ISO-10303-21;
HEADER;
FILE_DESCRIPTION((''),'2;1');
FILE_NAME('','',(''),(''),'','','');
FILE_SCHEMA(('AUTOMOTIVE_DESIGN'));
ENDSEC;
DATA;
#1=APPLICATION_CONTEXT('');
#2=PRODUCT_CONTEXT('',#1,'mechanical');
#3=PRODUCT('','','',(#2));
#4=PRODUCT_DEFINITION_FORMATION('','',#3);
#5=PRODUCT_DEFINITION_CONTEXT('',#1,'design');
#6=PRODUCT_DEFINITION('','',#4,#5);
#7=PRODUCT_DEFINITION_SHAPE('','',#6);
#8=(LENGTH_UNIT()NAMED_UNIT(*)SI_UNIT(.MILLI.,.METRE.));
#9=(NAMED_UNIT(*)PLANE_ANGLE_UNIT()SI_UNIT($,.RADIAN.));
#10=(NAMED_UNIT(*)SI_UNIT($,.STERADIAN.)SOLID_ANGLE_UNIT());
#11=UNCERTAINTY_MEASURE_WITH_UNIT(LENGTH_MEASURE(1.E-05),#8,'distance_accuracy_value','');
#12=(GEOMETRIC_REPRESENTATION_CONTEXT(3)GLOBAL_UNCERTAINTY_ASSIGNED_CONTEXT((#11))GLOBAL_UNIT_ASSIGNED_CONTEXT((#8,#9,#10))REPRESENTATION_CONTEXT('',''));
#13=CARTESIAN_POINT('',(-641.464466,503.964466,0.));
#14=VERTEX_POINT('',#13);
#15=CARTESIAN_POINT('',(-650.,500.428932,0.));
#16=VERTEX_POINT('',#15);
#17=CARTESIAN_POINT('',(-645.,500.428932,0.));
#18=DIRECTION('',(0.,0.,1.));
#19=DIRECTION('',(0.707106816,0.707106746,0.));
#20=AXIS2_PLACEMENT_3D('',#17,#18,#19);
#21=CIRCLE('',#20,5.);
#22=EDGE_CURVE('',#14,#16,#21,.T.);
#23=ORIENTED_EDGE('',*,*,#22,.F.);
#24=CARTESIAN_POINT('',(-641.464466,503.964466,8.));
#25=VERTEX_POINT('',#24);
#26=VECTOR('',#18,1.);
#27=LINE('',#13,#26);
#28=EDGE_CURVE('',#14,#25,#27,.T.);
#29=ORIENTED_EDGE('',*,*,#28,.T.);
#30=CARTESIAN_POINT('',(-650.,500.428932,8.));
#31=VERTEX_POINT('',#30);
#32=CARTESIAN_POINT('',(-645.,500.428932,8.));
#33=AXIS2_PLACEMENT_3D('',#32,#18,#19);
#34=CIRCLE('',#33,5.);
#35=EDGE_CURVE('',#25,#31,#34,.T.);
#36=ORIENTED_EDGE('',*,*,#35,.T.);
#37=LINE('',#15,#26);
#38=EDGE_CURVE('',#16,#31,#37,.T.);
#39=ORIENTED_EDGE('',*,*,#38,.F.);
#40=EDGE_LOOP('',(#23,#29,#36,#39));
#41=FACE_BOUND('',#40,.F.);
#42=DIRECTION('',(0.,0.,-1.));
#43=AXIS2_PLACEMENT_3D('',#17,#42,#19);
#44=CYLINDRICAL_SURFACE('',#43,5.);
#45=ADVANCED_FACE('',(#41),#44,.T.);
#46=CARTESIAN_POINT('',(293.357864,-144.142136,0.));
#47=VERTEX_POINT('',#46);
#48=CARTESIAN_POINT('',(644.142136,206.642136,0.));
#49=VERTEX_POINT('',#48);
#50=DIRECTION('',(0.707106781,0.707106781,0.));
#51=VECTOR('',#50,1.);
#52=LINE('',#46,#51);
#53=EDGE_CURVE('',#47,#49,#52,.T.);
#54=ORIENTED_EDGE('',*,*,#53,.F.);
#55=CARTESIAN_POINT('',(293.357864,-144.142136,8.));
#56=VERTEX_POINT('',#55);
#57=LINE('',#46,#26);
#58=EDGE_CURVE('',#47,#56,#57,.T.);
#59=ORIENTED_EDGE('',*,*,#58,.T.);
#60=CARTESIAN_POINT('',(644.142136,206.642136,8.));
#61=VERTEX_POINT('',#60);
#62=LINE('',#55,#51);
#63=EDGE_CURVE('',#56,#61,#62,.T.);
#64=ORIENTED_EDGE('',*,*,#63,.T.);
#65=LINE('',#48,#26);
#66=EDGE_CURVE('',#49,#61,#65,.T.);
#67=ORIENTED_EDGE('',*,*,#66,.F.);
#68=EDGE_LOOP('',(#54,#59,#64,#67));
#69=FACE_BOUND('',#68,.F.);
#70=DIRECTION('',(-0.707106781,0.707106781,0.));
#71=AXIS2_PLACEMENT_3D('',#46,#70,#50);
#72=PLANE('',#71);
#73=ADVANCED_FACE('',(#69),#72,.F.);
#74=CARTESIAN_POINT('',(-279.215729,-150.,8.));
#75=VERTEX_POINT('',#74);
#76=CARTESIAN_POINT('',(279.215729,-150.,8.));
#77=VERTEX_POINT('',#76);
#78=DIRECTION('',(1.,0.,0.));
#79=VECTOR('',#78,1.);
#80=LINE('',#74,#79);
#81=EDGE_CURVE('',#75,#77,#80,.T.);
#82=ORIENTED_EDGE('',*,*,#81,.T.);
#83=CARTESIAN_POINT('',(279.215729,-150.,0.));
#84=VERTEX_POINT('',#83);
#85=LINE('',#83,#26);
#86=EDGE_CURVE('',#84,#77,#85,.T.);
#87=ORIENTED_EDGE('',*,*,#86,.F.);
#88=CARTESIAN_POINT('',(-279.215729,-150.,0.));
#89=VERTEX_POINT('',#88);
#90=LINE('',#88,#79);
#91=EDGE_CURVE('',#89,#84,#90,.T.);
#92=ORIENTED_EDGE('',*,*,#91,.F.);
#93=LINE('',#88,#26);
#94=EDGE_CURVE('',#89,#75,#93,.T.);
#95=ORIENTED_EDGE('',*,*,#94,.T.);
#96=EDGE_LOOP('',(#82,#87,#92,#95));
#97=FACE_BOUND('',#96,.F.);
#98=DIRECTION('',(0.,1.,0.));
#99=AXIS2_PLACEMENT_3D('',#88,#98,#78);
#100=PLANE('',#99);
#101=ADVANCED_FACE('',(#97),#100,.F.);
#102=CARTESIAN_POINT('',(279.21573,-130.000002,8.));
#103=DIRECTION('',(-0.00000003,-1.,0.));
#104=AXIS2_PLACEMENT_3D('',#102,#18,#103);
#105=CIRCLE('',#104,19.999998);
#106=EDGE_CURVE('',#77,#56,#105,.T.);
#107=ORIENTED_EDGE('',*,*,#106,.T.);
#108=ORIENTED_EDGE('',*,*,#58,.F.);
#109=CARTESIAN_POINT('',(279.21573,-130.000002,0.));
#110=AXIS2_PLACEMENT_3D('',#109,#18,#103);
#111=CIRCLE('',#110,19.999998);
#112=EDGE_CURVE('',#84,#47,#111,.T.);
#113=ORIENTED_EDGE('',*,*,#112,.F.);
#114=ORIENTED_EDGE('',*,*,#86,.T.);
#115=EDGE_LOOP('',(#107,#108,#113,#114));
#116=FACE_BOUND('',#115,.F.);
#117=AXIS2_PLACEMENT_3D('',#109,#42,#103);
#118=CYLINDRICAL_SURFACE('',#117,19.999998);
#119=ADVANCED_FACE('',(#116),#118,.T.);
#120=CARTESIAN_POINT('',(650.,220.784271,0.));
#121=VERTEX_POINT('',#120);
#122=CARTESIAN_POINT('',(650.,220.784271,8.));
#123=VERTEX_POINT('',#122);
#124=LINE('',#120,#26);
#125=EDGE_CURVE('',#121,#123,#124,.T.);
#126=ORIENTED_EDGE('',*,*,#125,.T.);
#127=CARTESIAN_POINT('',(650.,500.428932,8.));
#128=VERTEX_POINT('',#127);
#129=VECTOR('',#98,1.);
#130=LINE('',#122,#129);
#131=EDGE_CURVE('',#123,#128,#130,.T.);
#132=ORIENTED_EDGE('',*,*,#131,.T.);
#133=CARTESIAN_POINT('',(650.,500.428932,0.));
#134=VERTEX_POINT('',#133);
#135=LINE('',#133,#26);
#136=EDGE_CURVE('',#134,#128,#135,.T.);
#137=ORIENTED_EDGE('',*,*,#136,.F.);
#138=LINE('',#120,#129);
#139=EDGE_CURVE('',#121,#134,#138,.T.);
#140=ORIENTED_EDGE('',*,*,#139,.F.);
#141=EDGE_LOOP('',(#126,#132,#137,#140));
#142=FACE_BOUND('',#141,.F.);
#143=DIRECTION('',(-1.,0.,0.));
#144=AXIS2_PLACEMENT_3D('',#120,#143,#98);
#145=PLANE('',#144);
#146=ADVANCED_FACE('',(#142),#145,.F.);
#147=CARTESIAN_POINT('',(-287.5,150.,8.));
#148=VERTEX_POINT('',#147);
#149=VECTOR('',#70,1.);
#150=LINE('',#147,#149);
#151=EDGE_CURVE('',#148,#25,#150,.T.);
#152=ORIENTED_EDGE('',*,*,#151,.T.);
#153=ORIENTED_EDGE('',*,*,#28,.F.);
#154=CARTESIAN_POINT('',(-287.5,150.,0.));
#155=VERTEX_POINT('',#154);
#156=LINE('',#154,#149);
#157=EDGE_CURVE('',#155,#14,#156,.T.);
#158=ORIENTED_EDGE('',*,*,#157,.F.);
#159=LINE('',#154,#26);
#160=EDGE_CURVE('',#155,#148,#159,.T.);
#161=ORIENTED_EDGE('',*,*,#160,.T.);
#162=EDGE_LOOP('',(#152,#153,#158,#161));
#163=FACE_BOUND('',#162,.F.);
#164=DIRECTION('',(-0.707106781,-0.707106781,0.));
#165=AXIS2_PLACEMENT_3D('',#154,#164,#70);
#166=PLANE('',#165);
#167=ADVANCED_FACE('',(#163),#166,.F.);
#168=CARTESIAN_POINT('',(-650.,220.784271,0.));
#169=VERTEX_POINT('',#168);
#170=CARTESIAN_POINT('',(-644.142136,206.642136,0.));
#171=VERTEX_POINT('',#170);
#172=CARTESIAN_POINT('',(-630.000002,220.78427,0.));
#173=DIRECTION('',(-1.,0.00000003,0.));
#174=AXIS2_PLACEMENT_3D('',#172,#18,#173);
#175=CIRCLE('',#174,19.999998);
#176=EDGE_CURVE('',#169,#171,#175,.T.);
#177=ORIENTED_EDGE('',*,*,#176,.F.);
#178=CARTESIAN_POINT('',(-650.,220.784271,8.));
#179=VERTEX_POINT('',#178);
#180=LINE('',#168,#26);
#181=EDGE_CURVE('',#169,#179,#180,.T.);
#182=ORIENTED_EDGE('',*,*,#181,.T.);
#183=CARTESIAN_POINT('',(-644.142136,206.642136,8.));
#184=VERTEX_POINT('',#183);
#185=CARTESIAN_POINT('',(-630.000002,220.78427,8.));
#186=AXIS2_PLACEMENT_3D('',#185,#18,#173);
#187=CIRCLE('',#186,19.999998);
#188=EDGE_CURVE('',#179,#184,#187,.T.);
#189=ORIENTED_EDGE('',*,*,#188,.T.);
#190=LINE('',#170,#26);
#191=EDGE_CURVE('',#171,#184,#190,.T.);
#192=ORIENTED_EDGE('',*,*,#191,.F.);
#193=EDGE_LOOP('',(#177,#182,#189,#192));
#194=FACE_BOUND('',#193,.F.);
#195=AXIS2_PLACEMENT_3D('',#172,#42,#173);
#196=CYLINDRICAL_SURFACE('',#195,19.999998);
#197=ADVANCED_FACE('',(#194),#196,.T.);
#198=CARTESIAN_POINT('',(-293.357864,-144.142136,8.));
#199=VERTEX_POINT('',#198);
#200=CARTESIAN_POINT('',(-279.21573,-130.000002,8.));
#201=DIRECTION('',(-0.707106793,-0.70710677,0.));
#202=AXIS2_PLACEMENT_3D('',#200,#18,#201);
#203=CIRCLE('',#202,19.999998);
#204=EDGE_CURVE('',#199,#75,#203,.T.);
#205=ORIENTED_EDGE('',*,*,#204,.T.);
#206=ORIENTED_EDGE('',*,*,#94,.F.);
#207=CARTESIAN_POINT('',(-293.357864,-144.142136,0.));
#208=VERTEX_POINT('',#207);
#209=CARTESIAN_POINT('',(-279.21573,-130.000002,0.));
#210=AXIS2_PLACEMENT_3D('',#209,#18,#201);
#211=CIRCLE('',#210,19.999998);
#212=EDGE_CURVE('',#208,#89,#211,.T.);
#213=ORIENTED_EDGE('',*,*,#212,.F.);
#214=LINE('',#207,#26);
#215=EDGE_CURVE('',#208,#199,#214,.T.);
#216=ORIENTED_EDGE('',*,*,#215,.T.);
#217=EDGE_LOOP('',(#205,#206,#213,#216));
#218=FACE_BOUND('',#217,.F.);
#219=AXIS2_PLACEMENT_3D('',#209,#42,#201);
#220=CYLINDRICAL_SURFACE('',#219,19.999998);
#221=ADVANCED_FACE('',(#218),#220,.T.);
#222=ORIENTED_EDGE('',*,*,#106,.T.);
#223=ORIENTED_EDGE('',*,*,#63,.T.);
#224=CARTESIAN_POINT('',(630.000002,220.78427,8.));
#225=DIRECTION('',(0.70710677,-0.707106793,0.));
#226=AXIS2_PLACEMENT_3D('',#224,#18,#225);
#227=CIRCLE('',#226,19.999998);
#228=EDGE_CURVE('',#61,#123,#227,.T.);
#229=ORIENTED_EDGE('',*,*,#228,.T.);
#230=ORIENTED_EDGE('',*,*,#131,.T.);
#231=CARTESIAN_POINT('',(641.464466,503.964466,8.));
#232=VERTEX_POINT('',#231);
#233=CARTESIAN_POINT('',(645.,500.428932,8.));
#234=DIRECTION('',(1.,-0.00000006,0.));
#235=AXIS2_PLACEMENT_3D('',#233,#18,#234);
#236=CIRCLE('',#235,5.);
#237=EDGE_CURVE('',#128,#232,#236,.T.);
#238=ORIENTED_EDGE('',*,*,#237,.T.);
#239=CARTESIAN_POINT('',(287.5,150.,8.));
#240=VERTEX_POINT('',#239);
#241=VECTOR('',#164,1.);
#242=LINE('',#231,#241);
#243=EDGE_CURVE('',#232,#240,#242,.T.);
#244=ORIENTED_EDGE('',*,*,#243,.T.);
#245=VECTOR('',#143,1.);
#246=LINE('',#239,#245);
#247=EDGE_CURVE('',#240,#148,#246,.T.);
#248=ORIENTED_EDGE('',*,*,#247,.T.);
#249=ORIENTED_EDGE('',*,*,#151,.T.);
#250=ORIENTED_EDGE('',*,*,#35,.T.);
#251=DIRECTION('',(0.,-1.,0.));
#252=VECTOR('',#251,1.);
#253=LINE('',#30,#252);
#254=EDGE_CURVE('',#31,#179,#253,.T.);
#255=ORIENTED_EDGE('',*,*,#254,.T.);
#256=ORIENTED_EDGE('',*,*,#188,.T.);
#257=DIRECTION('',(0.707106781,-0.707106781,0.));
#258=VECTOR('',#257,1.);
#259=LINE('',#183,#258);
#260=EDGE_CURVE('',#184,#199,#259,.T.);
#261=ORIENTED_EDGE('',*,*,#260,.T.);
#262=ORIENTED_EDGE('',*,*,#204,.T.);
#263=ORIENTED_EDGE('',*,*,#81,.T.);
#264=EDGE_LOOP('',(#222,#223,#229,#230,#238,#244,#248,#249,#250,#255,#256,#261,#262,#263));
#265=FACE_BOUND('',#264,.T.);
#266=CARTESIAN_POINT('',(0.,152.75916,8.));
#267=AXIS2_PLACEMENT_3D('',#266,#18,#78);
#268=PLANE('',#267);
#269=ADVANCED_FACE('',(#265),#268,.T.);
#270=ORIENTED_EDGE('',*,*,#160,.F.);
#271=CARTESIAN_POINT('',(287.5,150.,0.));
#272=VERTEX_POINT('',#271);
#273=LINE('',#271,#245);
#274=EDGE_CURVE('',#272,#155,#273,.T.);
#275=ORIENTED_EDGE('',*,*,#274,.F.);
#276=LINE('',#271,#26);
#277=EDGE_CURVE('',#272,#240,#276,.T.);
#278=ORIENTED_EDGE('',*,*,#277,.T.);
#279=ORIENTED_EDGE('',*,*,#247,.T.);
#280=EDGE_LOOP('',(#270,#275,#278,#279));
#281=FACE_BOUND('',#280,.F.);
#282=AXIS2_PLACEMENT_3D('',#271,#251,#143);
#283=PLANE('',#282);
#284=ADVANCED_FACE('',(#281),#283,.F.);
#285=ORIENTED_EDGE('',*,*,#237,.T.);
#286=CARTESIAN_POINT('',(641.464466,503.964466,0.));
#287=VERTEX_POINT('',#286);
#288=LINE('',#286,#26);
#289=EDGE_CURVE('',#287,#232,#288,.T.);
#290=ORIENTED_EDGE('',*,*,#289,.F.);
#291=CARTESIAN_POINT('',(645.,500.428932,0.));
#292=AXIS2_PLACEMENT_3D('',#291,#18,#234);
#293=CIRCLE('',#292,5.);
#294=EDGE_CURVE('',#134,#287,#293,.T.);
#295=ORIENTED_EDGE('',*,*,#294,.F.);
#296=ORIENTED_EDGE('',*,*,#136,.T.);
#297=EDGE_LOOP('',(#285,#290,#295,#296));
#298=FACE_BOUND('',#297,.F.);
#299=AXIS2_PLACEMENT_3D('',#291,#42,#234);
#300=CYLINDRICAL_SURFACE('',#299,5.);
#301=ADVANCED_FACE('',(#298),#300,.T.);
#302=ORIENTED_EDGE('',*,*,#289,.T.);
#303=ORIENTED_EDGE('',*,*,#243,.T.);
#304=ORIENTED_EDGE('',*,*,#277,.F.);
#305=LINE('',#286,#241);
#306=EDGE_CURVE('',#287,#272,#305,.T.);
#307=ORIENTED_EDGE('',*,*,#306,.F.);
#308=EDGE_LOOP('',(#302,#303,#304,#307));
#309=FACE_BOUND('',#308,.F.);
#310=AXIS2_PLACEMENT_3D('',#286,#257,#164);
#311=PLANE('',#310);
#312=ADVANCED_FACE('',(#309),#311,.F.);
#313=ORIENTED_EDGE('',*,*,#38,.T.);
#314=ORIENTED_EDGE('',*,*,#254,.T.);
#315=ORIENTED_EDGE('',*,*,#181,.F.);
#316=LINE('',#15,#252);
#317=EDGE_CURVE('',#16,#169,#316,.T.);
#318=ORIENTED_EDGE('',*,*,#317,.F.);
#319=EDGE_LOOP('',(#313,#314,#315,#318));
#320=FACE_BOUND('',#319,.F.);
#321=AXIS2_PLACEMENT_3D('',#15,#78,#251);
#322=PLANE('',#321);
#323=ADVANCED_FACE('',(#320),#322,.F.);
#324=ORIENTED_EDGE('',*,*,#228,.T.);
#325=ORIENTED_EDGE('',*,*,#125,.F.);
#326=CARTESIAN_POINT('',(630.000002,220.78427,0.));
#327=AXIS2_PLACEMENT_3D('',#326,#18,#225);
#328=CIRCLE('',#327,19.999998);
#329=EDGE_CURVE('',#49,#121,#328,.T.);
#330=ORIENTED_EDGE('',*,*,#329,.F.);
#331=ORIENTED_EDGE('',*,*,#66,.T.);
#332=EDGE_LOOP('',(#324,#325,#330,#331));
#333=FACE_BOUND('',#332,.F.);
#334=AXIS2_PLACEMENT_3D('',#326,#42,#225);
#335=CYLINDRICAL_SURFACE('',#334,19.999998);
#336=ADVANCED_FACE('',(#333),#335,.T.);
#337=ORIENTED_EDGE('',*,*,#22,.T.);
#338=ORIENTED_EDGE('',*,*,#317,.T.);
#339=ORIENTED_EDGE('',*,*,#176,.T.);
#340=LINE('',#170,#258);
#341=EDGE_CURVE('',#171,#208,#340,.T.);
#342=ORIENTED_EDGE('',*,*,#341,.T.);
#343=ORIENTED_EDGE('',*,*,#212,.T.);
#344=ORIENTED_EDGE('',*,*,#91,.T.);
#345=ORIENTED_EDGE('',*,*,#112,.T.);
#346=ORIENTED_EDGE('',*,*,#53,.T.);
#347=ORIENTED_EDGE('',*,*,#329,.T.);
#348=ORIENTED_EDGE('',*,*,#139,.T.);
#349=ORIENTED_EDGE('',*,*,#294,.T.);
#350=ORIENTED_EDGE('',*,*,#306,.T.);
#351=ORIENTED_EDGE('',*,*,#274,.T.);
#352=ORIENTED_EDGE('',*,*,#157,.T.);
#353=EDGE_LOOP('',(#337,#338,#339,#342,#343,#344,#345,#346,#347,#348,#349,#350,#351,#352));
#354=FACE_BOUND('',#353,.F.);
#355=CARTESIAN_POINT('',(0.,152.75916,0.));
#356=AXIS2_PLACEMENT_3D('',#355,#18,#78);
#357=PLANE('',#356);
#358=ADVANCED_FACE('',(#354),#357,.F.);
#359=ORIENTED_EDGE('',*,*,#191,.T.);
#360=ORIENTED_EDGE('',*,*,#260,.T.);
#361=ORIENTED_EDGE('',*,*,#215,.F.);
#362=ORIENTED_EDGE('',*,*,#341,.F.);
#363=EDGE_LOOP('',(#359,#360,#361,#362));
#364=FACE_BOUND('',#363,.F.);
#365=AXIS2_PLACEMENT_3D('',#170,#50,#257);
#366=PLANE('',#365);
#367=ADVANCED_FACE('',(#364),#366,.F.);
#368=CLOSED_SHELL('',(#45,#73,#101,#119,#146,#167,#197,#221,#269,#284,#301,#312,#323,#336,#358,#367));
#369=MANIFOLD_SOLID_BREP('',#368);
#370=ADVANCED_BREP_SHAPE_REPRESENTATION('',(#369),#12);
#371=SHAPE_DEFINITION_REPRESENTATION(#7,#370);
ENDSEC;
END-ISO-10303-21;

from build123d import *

# Parameters (mm, degrees)
F1_DEPTH = 8


with BuildPart() as f1:
    # F0 (on Top) → F1 (new body)
    with BuildSketch(Plane.XY):
        with BuildLine():
            Line((287.5, 150), (-287.5, 150))
            Line((-287.5, 150), (-641.464466, 503.964466))
            ThreePointArc((-641.464466, 503.964466), (-646.913417, 505.04833), (-650, 500.428932))
            Line((-650, 500.428932), (-650, 220.784271))
            ThreePointArc((-650, 220.784271), (-648.477591, 213.130603), (-644.142136, 206.642136))
            Line((-644.142136, 206.642136), (-293.357864, -144.142136))
            ThreePointArc((-293.357864, -144.142136), (-286.869397, -148.477591), (-279.215729, -150))
            Line((-279.215729, -150), (279.215729, -150))
            ThreePointArc((279.215729, -150), (286.869397, -148.477591), (293.357864, -144.142136))
            Line((293.357864, -144.142136), (644.142136, 206.642136))
            ThreePointArc((644.142136, 206.642136), (648.477591, 213.130603), (650, 220.784271))
            Line((650, 220.784271), (650, 500.428932))
            ThreePointArc((650, 500.428932), (646.913417, 505.04833), (641.464466, 503.964466))
            Line((641.464466, 503.964466), (287.5, 150))
        make_face()
    extrude(amount=F1_DEPTH)


solid = f1.part
